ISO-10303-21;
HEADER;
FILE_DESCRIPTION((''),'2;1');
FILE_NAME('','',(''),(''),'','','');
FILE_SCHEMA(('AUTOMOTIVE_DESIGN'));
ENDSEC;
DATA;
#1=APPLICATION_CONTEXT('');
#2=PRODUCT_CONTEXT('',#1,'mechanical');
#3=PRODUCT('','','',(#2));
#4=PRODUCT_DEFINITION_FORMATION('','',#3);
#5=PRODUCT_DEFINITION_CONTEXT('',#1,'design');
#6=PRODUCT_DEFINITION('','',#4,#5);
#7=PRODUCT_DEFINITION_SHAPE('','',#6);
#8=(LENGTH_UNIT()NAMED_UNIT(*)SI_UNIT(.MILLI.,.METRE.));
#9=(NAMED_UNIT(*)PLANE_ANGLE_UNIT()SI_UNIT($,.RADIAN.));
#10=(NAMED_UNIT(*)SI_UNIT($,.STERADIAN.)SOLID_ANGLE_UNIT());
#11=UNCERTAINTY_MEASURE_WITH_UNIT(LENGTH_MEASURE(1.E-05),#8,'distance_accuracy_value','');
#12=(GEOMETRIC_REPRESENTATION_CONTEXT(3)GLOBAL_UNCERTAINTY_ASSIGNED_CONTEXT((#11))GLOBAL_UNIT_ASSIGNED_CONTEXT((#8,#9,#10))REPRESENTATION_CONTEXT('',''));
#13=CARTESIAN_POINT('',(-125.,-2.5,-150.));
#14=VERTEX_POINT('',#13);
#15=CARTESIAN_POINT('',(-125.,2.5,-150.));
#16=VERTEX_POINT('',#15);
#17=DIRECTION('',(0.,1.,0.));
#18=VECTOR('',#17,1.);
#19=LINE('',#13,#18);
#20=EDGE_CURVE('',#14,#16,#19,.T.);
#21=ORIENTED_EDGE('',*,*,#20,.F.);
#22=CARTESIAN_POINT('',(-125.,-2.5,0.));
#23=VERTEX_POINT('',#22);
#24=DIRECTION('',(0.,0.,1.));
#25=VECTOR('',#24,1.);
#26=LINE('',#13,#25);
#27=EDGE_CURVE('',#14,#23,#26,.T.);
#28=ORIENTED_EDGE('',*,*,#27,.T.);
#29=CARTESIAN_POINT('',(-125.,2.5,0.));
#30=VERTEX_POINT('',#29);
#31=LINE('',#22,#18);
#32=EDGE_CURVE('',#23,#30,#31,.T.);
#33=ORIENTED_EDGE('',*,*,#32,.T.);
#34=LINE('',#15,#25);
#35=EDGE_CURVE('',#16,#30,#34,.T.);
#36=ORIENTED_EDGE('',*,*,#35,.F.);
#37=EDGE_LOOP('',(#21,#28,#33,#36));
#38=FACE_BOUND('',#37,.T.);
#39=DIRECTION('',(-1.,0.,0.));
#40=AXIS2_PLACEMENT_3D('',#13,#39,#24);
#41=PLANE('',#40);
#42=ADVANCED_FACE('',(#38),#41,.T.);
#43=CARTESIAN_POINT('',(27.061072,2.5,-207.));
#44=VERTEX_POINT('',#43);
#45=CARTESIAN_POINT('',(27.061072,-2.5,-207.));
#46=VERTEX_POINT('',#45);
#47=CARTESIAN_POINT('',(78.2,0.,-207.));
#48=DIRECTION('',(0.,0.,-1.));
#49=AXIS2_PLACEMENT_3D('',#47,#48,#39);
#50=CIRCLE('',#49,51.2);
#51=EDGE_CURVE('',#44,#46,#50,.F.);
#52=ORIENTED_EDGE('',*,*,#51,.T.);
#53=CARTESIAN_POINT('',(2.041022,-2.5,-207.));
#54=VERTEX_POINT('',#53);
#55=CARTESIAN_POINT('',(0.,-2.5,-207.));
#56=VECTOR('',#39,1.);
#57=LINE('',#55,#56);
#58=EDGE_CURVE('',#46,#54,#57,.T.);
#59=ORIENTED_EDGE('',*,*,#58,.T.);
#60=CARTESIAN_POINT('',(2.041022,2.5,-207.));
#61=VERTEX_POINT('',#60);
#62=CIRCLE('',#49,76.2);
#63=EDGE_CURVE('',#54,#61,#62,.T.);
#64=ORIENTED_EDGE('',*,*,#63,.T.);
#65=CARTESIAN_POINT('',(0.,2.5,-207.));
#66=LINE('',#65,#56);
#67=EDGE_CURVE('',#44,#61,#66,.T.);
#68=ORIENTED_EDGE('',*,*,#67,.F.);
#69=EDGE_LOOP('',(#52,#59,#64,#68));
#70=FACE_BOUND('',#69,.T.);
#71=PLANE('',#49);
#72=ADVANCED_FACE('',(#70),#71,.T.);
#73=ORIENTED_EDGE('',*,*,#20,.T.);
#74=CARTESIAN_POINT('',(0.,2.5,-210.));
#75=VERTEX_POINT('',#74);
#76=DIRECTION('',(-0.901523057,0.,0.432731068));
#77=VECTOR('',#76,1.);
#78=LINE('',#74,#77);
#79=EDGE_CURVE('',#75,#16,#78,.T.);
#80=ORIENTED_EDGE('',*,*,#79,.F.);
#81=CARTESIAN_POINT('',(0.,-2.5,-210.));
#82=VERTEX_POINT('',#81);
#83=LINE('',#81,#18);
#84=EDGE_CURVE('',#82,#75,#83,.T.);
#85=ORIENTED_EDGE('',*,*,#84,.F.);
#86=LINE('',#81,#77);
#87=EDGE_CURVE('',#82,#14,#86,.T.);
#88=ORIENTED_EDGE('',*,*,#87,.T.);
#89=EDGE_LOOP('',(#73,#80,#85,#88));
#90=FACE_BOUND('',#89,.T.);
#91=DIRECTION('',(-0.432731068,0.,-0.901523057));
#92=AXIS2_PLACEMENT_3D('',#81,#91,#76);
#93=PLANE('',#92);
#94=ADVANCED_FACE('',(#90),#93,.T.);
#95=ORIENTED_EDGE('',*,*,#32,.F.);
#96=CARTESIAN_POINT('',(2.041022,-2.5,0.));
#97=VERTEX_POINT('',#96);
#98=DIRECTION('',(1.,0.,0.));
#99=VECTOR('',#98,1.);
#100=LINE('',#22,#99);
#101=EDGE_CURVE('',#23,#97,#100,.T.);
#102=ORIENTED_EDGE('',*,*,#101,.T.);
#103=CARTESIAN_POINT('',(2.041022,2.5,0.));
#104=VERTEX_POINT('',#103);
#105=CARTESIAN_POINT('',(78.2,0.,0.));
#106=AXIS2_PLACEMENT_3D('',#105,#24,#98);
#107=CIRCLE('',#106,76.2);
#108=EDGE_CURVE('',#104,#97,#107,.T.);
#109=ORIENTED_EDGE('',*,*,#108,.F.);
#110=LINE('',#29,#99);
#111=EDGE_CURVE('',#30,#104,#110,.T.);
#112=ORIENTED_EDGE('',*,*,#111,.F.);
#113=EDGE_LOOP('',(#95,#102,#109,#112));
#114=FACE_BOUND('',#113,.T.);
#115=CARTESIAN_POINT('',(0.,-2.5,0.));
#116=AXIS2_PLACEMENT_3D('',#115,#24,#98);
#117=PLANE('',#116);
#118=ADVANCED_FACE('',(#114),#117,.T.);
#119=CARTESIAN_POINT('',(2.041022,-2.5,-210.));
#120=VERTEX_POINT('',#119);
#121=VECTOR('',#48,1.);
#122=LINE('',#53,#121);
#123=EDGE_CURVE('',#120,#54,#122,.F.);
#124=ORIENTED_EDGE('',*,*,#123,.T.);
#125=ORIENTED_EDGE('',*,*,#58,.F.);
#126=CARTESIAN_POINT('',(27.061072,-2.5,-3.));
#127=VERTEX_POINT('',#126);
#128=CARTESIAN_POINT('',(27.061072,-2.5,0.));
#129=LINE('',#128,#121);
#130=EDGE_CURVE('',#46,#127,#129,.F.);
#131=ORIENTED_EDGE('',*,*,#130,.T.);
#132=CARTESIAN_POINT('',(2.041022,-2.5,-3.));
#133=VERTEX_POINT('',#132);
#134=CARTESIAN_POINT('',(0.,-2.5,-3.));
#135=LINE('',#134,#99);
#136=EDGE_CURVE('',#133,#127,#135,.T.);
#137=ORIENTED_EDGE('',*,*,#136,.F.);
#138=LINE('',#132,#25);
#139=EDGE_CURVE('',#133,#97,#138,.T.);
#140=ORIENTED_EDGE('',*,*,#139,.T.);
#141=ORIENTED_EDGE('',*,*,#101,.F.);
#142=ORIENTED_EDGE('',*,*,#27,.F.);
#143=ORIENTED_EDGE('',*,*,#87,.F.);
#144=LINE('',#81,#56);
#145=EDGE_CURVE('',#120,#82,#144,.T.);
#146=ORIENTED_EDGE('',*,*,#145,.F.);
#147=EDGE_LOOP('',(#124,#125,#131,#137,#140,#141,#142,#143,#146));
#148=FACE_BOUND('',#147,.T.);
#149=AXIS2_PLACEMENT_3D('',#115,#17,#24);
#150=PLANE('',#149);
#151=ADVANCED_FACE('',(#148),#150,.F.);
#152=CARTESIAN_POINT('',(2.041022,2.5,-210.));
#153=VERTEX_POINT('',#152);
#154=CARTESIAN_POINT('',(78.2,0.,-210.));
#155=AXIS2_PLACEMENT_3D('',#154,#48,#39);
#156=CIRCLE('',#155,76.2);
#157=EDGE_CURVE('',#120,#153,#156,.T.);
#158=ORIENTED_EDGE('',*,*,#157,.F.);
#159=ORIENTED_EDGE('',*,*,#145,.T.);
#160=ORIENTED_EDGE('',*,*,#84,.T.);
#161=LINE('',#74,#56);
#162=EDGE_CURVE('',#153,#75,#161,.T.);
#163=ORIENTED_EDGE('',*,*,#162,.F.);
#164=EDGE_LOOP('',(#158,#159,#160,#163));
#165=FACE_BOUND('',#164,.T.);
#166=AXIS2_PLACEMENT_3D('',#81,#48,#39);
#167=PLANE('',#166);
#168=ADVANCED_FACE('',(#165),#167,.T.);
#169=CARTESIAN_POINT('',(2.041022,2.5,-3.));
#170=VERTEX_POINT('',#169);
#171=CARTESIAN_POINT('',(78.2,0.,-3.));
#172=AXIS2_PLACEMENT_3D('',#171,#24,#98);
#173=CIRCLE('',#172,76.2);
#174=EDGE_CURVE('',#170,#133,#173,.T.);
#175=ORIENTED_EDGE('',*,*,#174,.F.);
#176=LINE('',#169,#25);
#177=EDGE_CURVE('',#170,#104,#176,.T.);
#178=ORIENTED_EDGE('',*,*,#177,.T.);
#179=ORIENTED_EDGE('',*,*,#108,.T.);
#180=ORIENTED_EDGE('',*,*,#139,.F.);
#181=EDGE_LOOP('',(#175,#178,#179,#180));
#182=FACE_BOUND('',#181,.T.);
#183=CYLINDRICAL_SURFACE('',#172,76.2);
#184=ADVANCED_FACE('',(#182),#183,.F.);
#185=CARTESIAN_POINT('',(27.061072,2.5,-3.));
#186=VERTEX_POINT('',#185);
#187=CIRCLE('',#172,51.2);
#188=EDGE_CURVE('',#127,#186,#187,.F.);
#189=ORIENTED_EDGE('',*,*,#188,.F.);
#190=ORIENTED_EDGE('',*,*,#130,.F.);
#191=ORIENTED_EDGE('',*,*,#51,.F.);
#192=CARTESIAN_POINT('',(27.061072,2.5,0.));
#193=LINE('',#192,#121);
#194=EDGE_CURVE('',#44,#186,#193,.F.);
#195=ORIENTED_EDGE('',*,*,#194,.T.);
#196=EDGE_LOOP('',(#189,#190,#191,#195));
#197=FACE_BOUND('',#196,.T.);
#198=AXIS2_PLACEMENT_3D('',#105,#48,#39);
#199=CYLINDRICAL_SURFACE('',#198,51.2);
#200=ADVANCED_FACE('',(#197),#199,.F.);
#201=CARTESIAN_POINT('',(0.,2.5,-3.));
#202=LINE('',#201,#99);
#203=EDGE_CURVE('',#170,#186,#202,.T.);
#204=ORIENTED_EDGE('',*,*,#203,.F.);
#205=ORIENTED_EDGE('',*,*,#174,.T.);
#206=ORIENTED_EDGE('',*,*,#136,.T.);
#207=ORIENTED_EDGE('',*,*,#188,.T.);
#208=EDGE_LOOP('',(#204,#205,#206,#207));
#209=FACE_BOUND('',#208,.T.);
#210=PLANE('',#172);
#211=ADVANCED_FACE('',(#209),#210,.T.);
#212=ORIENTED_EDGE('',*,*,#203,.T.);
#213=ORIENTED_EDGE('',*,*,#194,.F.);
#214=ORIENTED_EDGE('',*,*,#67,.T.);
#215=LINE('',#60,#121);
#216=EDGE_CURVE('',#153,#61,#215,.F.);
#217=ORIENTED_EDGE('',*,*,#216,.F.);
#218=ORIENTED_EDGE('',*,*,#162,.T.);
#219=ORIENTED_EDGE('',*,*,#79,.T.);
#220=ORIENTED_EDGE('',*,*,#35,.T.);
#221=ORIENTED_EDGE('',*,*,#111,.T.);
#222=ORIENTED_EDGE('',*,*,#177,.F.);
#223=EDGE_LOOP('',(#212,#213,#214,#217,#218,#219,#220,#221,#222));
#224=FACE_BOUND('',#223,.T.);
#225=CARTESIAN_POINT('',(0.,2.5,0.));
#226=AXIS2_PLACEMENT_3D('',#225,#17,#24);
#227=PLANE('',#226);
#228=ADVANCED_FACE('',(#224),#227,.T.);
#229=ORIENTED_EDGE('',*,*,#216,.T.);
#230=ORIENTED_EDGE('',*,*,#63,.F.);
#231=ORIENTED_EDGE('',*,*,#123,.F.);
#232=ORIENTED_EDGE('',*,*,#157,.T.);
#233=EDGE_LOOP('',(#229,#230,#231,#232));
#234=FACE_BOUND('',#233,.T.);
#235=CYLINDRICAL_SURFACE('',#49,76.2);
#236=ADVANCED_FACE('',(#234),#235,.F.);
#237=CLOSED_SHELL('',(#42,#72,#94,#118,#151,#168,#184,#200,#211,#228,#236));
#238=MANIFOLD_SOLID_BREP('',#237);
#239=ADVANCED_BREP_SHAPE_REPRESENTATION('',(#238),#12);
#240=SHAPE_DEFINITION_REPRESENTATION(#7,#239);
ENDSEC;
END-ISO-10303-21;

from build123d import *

# Parameters (mm, degrees)
BOSS_EXTRUDE1_DEPTH      = 2.5
BOSS_EXTRUDE1_DEPTH_BACK = 2.5
SKETCH2_R                = 51.2
CUT_EXTRUDE1_DEPTH       = 245.399774959
SKETCH3_R                = 76.2
CUT_EXTRUDE2_DEPTH       = 3
CUT_EXTRUDE3_START       = -3
SKETCH4_R                = 76.2
CUT_EXTRUDE3_DEPTH       = 3


with BuildPart() as part:
    # Sketch1 → Boss-Extrude1 (new, two sides: drawn at the far end of the back side and taken through both)
    with BuildSketch(Plane(origin=(0, 0, 0), x_dir=(1, 0, 0), z_dir=(0, 1, 0)).offset(-BOSS_EXTRUDE1_DEPTH_BACK)):
        Polygon((-125, 150), (-125, 0), (0, 0), (78.2, 0), (78.2, 210), (0, 210), align=None)
    extrude(amount=BOSS_EXTRUDE1_DEPTH + BOSS_EXTRUDE1_DEPTH_BACK)

    # Sketch2 → Cut-Extrude1 (cut, through all)
    with BuildSketch(Plane(origin=(0, 0, -210), x_dir=(-1, 0, 0), z_dir=(0, 0, -1))):
        with Locations((-78.2, 0)):
            Circle(SKETCH2_R)
    extrude(amount=-CUT_EXTRUDE1_DEPTH, mode=Mode.SUBTRACT)

    # Sketch3 → Cut-Extrude2 (cut)
    with BuildSketch(Plane(origin=(0, 0, -210), x_dir=(-1, 0, 0), z_dir=(0, 0, -1))):
        with Locations((-78.2, 0)):
            Circle(SKETCH3_R)
    extrude(amount=-CUT_EXTRUDE2_DEPTH, mode=Mode.SUBTRACT)

    # Sketch4 → Cut-Extrude3 (cut)
    with BuildSketch(Plane.XY.offset(CUT_EXTRUDE3_START)):
        with Locations((78.2, 0)):
            Circle(SKETCH4_R)
    extrude(amount=CUT_EXTRUDE3_DEPTH, mode=Mode.SUBTRACT)


solid = part.part
